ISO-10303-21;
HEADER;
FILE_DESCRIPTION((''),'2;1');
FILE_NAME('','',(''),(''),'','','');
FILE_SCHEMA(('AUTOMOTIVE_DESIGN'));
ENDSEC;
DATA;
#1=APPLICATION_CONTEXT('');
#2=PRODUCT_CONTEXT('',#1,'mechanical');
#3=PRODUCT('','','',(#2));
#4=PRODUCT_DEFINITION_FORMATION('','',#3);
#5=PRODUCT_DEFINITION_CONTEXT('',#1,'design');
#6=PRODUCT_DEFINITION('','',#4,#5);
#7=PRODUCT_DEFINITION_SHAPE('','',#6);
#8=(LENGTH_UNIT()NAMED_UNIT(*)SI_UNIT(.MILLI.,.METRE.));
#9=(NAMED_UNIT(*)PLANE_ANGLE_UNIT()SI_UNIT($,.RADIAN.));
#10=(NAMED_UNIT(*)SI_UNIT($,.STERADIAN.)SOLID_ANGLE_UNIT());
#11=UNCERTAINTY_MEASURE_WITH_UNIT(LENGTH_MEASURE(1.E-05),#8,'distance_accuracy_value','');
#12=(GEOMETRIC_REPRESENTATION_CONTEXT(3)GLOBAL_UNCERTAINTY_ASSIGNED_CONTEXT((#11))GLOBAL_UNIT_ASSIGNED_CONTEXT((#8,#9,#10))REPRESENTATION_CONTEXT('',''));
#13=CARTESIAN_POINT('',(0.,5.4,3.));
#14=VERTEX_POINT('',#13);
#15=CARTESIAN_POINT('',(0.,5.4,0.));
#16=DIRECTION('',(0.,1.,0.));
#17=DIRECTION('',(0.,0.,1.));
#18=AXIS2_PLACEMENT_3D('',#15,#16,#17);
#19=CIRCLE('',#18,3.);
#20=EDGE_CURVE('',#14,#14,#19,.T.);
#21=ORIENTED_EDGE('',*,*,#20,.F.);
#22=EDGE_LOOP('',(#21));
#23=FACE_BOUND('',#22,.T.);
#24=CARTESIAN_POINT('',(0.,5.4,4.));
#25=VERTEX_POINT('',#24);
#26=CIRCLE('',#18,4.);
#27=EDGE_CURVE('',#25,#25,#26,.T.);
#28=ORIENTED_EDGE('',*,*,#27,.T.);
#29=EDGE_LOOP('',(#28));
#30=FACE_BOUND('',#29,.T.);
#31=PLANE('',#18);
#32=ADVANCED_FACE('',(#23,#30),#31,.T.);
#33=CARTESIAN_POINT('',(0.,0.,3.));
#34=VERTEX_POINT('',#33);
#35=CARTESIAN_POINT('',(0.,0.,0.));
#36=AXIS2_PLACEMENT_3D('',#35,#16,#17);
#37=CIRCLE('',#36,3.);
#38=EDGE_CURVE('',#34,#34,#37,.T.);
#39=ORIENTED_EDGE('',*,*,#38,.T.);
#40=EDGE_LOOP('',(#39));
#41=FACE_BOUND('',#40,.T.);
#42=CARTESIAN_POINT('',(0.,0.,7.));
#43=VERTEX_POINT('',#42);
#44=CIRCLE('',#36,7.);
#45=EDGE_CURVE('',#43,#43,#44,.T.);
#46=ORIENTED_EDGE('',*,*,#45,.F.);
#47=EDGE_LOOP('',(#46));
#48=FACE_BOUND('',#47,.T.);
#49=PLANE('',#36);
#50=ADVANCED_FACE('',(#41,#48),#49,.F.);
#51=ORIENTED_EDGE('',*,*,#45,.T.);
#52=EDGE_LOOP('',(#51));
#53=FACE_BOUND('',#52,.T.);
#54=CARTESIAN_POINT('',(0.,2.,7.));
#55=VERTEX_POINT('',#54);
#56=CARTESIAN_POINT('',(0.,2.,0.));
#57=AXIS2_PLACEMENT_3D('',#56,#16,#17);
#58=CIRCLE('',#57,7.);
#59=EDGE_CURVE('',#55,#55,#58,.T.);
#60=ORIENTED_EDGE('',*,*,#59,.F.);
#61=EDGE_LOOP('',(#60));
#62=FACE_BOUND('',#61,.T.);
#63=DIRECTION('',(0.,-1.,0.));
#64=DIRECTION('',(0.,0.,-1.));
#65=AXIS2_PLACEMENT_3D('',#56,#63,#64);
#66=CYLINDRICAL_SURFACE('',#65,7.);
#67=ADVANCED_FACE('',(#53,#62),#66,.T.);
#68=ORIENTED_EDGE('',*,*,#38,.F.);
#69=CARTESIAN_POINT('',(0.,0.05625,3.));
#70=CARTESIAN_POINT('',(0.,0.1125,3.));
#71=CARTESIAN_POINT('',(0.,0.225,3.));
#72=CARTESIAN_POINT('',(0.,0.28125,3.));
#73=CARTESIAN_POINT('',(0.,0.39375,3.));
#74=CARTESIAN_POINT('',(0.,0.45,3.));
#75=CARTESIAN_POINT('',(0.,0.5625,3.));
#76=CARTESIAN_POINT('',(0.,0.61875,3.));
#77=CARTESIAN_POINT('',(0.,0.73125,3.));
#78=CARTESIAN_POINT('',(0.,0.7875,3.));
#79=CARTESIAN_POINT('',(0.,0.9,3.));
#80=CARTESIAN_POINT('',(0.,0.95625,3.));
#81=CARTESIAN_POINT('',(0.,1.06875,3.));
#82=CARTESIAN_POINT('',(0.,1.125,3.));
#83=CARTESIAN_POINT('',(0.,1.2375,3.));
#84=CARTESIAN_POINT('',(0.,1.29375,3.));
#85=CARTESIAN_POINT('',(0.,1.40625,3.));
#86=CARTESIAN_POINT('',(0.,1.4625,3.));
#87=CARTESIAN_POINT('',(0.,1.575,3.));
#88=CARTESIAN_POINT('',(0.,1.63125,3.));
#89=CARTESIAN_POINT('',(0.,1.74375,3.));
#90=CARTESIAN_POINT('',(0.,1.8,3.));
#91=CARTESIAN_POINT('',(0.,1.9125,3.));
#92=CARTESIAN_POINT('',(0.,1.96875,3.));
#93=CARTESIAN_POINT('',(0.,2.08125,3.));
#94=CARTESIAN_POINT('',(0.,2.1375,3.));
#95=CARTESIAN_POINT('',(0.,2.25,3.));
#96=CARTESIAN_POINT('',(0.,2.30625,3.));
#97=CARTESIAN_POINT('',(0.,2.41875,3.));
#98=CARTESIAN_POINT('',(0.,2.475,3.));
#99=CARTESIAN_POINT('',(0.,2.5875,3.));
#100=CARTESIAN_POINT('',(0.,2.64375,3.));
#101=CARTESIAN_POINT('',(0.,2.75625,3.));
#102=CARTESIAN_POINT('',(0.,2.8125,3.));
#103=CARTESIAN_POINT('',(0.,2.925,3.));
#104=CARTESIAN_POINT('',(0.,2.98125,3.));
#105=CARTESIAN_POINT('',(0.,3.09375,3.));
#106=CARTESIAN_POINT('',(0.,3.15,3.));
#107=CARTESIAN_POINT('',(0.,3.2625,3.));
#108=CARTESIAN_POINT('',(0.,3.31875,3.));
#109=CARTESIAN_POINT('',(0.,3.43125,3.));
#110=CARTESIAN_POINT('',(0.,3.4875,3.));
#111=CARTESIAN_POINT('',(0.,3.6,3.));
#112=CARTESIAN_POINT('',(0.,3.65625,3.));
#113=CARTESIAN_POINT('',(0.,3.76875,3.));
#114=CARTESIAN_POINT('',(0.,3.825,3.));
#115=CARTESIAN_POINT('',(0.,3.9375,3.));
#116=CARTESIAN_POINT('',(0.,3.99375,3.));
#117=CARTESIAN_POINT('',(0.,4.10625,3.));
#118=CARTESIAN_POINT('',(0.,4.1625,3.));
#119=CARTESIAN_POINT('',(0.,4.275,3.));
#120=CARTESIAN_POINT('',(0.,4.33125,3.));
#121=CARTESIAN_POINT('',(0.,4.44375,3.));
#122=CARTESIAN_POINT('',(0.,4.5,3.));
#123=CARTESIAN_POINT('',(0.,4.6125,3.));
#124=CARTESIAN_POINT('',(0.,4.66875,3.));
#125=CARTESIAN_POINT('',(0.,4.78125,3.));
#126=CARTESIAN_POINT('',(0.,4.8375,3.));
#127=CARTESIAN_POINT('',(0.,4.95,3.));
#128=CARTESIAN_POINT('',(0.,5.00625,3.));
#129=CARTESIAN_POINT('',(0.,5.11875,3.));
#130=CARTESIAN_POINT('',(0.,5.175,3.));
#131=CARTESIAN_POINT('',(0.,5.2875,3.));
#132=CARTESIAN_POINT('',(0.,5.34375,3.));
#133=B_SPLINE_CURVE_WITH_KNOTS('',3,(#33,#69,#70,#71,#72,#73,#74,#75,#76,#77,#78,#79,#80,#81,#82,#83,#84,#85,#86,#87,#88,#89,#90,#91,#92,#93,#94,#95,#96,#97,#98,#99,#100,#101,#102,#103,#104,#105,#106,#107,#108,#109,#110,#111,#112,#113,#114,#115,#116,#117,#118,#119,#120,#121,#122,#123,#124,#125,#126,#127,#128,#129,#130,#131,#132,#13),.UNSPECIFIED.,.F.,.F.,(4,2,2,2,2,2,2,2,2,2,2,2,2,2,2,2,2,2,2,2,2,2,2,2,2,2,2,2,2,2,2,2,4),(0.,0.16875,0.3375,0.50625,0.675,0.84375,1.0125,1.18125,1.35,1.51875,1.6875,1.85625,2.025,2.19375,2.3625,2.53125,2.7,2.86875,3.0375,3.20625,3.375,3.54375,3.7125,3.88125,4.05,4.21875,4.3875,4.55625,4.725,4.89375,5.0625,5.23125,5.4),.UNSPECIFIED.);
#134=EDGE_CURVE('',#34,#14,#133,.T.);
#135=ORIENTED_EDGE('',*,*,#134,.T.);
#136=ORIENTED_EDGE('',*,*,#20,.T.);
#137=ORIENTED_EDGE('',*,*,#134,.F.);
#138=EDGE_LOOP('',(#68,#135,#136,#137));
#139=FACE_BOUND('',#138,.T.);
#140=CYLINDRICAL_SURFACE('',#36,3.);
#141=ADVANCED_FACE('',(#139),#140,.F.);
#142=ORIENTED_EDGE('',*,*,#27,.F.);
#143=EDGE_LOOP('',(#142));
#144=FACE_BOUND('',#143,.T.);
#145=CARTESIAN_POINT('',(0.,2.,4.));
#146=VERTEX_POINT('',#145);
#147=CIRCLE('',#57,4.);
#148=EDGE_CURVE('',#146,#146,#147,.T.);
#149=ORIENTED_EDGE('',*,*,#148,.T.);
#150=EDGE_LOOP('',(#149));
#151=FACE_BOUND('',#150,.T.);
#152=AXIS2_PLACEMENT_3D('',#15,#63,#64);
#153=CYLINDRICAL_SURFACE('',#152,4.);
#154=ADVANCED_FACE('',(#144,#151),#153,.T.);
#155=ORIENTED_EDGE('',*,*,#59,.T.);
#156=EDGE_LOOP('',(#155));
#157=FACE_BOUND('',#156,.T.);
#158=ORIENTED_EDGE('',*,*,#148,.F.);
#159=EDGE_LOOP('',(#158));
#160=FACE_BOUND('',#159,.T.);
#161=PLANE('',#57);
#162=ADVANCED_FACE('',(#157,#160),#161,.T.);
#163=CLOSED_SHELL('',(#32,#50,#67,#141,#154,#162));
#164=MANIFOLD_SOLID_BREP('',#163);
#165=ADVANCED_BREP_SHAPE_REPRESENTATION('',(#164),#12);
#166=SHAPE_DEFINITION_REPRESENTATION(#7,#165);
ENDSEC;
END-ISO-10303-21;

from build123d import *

# Parameters (mm, degrees)
SKETCH1_R           = 7
BOSS_EXTRUDE1_DEPTH = 2
SKETCH2_R           = 4
BOSS_EXTRUDE2_DEPTH = 3.4
SKETCH3_R           = 3
CUT_EXTRUDE1_DEPTH  = 12.276524287


with BuildPart() as part:
    # Sketch1 → Boss-Extrude1 (new body)
    with BuildSketch(Plane(origin=(0, 0, 0), x_dir=(1, 0, 0), z_dir=(0, 1, 0))):
        with Locations(Location((0, 0, 0), (0, 0, 270))):
            Circle(SKETCH1_R)
    extrude(amount=BOSS_EXTRUDE1_DEPTH)

    # Sketch2 → Boss-Extrude2 (add)
    with BuildSketch(Plane(origin=(0, 2, 0), x_dir=(1, 0, 0), z_dir=(0, 1, 0))):
        with Locations(Location((0, 0, 0), (0, 0, 270))):
            Circle(SKETCH2_R)
    extrude(amount=BOSS_EXTRUDE2_DEPTH)

    # Sketch3 → Cut-Extrude1 (cut, through all)
    with BuildSketch(Plane(origin=(0, 5.4, 0), x_dir=(1, 0, 0), z_dir=(0, 1, 0))):
        with Locations(Location((0, 0, 0), (0, 0, 270))):
            Circle(SKETCH3_R)
    extrude(amount=-CUT_EXTRUDE1_DEPTH, mode=Mode.SUBTRACT)


solid = part.part
